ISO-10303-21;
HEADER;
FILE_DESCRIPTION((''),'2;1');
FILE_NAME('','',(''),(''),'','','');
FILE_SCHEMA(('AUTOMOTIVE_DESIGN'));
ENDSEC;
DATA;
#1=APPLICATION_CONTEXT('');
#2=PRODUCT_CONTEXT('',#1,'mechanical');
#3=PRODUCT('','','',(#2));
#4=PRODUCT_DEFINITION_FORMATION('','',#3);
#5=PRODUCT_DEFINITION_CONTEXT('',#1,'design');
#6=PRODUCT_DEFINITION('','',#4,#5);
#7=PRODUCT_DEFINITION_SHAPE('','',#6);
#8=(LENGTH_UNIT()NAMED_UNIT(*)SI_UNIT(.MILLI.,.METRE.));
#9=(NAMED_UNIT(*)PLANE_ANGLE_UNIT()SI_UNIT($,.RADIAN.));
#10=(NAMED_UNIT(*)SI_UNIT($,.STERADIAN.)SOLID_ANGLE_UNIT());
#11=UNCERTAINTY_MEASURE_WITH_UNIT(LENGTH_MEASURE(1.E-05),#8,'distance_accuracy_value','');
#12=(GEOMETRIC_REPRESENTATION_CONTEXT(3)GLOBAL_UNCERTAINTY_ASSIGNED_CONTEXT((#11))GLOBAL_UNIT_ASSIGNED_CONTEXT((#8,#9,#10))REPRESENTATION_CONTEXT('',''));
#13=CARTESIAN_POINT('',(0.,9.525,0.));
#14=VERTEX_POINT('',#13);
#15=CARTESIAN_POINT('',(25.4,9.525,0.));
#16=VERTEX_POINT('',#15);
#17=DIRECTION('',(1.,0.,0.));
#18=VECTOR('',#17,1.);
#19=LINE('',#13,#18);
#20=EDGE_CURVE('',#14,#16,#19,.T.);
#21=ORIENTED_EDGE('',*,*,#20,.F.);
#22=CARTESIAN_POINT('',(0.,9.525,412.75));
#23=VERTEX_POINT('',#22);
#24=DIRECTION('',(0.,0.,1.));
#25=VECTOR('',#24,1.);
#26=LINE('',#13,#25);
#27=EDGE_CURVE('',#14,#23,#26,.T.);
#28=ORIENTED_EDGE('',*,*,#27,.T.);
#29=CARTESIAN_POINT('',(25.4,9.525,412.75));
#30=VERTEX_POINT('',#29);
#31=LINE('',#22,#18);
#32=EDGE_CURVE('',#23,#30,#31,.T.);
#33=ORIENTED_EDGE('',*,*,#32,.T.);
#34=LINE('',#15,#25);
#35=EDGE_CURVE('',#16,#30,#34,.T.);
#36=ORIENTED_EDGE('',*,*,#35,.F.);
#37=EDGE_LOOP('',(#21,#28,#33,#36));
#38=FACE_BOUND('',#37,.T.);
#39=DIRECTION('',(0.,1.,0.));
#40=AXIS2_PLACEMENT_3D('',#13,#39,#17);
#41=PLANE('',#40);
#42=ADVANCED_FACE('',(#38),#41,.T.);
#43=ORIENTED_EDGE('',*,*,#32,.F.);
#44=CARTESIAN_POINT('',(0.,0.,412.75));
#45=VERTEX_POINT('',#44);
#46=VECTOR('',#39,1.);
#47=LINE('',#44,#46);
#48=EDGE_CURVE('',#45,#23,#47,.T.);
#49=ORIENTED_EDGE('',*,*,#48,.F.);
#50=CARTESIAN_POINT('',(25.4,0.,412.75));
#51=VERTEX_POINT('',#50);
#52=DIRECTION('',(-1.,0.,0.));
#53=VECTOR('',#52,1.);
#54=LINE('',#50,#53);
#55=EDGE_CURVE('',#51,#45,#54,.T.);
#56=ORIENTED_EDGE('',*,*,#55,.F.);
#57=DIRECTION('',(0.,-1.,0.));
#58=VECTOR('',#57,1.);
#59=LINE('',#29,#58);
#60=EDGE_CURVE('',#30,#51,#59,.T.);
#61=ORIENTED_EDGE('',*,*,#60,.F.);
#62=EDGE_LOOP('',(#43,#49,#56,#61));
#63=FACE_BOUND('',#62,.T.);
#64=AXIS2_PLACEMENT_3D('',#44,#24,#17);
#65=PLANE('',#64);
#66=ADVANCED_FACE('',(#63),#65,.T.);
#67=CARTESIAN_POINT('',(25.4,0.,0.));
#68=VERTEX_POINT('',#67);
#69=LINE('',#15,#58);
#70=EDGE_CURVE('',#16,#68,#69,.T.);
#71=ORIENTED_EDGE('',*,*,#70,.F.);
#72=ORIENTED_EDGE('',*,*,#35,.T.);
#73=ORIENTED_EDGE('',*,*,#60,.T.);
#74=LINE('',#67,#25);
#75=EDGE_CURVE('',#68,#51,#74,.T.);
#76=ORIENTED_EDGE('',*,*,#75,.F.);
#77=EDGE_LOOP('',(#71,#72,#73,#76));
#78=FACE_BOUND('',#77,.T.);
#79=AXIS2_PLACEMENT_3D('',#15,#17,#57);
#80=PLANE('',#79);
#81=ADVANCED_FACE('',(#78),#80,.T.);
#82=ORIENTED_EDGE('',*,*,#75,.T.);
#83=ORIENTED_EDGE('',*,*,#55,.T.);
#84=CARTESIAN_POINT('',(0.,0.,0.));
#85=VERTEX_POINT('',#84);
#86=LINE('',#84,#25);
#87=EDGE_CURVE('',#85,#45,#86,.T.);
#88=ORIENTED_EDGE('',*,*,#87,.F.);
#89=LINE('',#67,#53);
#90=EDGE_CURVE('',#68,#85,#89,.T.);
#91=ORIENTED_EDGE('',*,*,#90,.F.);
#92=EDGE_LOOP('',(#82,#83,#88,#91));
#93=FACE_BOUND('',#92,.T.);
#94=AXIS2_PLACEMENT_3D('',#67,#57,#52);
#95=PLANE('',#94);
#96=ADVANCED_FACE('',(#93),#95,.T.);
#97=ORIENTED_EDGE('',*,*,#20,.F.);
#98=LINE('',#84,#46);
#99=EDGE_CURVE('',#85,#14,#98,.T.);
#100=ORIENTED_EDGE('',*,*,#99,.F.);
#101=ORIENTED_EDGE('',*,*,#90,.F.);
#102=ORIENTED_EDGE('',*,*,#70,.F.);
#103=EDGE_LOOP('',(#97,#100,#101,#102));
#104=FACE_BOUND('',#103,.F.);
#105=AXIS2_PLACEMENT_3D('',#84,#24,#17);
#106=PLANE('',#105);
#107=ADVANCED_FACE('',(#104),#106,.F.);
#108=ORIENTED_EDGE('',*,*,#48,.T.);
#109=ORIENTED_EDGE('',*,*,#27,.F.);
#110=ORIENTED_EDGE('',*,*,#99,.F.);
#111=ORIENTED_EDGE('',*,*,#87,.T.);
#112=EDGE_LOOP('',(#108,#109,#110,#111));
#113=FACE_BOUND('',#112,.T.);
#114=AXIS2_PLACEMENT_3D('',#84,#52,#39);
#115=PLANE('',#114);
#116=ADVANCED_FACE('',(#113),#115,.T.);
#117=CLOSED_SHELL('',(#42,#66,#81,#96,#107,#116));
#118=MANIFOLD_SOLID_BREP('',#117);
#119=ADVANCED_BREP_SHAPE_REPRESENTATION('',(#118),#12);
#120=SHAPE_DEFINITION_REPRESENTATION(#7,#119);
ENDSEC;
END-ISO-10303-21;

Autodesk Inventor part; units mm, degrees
ref_plane "YZ Plane" through (0, 0, 0) normal (1, 0, 0) x (0, 1, 0)
ref_plane "XZ Plane" through (0, 0, 0) normal (0, 1, 0) x (-1, 0, 0)
ref_plane "XY Plane" through (0, 0, 0) normal (0, 0, 1) x (1, 0, 0)
sketch "Sketch1" plane through (0, 0, 0) normal (0, 0, 1) x (1, 0, 0)
  line L0 (0, 9.525) -> (25.4, 9.525)
  line L1 (25.4, 9.525) -> (25.4, 0)
  line L2 (25.4, 0) -> (0, 0)
  line L3 (0, 0) -> (0, 9.525)
  dimension "d0" = 9.525
  dimension "d1" = 25.4
extrude "Extrusion1" add sketch "Sketch1" along normal blind 412.75
properties part number "spacer 3"
